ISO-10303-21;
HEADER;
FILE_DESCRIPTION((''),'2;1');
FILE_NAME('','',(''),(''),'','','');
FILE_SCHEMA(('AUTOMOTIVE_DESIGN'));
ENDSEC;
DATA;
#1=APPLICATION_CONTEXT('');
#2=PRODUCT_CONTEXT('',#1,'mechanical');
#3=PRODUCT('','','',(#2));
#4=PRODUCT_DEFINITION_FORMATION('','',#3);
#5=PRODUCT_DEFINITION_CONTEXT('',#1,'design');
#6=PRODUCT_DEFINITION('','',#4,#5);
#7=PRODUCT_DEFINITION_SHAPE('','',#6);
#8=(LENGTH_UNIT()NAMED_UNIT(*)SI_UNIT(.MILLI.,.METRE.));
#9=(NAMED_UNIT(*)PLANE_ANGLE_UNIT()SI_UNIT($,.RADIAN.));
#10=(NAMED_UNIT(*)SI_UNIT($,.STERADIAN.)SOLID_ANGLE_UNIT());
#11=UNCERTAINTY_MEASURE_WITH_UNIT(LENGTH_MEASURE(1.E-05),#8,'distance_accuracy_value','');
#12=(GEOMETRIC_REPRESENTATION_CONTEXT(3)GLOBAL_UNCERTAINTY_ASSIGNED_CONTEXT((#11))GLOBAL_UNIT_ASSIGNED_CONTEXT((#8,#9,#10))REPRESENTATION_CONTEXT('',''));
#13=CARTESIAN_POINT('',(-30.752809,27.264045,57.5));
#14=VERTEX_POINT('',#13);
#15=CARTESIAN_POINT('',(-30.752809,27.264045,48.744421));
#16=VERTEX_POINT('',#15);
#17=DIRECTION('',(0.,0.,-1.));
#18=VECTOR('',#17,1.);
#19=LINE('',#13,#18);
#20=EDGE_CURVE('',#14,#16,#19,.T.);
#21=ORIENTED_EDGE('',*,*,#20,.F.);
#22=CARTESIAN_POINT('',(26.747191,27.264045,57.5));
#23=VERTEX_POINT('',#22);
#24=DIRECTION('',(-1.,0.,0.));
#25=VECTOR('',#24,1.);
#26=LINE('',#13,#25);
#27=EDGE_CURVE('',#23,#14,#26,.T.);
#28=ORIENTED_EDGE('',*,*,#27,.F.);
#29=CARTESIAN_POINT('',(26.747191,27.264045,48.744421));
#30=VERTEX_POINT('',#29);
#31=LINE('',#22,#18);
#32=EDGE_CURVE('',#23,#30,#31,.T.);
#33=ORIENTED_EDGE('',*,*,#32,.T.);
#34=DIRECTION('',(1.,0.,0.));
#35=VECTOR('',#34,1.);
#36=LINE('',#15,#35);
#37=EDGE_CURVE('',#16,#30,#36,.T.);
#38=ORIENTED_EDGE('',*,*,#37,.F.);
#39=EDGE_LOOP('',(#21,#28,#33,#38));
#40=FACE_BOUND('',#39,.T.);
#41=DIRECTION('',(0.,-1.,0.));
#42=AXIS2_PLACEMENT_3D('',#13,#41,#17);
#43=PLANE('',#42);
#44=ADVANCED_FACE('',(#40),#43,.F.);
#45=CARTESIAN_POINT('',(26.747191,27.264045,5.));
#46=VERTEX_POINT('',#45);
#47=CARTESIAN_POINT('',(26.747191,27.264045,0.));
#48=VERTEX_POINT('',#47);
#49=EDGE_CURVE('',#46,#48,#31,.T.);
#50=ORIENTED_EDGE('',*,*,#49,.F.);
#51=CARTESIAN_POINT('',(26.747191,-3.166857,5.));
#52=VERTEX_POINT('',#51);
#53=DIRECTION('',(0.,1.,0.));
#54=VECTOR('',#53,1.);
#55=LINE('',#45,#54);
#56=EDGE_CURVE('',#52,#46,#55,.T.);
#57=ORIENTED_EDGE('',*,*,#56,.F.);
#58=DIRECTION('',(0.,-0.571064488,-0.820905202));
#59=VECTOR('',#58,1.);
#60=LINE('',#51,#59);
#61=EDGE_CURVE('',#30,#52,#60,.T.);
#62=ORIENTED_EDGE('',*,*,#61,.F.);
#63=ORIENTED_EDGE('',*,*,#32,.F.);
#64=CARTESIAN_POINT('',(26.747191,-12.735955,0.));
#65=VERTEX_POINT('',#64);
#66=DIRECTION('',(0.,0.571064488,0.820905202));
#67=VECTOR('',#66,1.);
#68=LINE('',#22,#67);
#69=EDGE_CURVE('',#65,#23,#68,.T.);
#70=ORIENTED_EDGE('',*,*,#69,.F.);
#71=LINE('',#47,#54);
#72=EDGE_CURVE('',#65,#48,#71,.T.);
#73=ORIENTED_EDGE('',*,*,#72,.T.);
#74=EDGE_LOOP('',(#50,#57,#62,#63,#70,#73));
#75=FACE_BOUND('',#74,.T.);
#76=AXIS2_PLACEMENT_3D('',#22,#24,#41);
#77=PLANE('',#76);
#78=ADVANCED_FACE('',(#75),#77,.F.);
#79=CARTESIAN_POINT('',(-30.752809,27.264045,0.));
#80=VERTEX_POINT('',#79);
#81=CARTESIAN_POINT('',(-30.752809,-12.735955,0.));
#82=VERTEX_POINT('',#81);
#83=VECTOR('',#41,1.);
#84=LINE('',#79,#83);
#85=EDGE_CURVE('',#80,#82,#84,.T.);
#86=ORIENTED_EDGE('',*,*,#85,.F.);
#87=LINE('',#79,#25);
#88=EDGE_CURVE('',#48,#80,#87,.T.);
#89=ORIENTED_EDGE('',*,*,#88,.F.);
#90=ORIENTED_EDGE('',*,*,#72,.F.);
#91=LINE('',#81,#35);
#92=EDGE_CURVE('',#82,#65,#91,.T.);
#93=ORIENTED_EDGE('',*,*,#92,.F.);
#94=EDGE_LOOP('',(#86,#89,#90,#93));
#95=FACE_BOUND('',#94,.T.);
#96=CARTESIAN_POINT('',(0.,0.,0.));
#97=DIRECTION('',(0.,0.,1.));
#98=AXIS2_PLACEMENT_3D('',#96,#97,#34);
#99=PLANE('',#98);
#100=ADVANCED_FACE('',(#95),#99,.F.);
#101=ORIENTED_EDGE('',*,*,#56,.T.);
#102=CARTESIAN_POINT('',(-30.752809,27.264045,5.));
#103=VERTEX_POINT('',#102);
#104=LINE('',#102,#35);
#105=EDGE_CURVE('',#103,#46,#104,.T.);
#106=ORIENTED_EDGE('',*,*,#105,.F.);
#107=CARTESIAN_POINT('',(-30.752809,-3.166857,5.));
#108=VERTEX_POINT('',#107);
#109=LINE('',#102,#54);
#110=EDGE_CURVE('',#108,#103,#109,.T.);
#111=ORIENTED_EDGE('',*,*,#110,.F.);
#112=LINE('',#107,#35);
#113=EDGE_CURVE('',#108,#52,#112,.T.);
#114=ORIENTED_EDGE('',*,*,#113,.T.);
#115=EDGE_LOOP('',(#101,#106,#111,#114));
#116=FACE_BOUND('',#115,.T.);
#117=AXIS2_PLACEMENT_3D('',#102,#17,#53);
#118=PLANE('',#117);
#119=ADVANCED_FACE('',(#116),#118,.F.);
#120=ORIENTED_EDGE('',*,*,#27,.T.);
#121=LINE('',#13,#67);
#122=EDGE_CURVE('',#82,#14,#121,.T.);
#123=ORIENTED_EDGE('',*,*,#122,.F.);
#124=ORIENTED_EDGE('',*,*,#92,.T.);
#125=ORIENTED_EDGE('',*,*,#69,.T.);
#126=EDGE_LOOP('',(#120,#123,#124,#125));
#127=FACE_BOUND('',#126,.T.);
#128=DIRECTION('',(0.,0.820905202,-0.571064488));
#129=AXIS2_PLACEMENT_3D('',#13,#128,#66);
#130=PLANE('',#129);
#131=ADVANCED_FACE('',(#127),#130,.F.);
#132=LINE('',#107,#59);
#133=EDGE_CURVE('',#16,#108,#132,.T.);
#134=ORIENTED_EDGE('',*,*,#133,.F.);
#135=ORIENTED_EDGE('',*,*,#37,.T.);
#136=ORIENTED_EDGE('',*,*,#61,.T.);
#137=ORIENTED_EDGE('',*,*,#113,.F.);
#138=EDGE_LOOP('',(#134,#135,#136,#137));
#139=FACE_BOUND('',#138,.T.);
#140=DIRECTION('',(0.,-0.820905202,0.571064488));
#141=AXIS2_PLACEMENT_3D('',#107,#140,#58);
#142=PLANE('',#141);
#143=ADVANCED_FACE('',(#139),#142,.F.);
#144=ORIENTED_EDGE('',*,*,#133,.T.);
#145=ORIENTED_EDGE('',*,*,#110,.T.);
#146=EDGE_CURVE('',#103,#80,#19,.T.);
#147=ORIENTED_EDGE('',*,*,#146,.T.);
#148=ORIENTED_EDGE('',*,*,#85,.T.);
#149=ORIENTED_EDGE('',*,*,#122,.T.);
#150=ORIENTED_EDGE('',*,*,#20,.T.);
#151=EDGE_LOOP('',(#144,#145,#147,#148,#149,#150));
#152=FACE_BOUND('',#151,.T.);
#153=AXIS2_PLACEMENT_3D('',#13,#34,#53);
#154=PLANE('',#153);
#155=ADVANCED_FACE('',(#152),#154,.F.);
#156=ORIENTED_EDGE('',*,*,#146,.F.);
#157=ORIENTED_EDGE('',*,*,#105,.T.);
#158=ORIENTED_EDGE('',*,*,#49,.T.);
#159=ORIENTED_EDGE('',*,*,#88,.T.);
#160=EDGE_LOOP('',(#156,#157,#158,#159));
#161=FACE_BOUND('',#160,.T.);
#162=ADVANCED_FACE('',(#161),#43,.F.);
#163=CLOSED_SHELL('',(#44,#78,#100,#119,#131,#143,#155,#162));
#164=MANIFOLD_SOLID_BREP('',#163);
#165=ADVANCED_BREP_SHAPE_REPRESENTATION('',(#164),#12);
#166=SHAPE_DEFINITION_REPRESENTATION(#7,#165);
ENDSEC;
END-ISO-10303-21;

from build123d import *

# Parameters (mm, degrees)
SKETCH3_W           = 57.5
SKETCH3_H           = 40
BOSS_EXTRUDE1_DEPTH = 57.5
CUT_EXTRUDE1_DEPTH  = 86.766124704
CUT_EXTRUDE2_DEPTH  = 86.766124704


with BuildPart() as part:
    # Sketch3 → Boss-Extrude1 (new body)
    with BuildSketch(Plane.XY):
        with Locations((-2.002808989, 7.264044944)):
            Rectangle(SKETCH3_W, SKETCH3_H)
    extrude(amount=BOSS_EXTRUDE1_DEPTH)

    # Sketch7 → Cut-Extrude1 (cut, through all)
    with BuildSketch(Plane(origin=(26.747191011, 0, 0), x_dir=(0, 0, -1), z_dir=(1, 0, 0))):
        Polygon((-57.5, 27.264044944), (0, -12.735955056), (-57.5, -12.735955056), align=None)
    extrude(amount=-CUT_EXTRUDE1_DEPTH, mode=Mode.SUBTRACT)

    # Sketch8 → Cut-Extrude2 (cut, through all)
    with BuildSketch(Plane(origin=(26.747191011, 0, 0), x_dir=(0, 0, -1), z_dir=(1, 0, 0))):
        Polygon((-5, 27.264044944), (-5, -3.166856914), (-48.744421421, 27.264044944), align=None)
    extrude(amount=-CUT_EXTRUDE2_DEPTH, mode=Mode.SUBTRACT)


solid = part.part
